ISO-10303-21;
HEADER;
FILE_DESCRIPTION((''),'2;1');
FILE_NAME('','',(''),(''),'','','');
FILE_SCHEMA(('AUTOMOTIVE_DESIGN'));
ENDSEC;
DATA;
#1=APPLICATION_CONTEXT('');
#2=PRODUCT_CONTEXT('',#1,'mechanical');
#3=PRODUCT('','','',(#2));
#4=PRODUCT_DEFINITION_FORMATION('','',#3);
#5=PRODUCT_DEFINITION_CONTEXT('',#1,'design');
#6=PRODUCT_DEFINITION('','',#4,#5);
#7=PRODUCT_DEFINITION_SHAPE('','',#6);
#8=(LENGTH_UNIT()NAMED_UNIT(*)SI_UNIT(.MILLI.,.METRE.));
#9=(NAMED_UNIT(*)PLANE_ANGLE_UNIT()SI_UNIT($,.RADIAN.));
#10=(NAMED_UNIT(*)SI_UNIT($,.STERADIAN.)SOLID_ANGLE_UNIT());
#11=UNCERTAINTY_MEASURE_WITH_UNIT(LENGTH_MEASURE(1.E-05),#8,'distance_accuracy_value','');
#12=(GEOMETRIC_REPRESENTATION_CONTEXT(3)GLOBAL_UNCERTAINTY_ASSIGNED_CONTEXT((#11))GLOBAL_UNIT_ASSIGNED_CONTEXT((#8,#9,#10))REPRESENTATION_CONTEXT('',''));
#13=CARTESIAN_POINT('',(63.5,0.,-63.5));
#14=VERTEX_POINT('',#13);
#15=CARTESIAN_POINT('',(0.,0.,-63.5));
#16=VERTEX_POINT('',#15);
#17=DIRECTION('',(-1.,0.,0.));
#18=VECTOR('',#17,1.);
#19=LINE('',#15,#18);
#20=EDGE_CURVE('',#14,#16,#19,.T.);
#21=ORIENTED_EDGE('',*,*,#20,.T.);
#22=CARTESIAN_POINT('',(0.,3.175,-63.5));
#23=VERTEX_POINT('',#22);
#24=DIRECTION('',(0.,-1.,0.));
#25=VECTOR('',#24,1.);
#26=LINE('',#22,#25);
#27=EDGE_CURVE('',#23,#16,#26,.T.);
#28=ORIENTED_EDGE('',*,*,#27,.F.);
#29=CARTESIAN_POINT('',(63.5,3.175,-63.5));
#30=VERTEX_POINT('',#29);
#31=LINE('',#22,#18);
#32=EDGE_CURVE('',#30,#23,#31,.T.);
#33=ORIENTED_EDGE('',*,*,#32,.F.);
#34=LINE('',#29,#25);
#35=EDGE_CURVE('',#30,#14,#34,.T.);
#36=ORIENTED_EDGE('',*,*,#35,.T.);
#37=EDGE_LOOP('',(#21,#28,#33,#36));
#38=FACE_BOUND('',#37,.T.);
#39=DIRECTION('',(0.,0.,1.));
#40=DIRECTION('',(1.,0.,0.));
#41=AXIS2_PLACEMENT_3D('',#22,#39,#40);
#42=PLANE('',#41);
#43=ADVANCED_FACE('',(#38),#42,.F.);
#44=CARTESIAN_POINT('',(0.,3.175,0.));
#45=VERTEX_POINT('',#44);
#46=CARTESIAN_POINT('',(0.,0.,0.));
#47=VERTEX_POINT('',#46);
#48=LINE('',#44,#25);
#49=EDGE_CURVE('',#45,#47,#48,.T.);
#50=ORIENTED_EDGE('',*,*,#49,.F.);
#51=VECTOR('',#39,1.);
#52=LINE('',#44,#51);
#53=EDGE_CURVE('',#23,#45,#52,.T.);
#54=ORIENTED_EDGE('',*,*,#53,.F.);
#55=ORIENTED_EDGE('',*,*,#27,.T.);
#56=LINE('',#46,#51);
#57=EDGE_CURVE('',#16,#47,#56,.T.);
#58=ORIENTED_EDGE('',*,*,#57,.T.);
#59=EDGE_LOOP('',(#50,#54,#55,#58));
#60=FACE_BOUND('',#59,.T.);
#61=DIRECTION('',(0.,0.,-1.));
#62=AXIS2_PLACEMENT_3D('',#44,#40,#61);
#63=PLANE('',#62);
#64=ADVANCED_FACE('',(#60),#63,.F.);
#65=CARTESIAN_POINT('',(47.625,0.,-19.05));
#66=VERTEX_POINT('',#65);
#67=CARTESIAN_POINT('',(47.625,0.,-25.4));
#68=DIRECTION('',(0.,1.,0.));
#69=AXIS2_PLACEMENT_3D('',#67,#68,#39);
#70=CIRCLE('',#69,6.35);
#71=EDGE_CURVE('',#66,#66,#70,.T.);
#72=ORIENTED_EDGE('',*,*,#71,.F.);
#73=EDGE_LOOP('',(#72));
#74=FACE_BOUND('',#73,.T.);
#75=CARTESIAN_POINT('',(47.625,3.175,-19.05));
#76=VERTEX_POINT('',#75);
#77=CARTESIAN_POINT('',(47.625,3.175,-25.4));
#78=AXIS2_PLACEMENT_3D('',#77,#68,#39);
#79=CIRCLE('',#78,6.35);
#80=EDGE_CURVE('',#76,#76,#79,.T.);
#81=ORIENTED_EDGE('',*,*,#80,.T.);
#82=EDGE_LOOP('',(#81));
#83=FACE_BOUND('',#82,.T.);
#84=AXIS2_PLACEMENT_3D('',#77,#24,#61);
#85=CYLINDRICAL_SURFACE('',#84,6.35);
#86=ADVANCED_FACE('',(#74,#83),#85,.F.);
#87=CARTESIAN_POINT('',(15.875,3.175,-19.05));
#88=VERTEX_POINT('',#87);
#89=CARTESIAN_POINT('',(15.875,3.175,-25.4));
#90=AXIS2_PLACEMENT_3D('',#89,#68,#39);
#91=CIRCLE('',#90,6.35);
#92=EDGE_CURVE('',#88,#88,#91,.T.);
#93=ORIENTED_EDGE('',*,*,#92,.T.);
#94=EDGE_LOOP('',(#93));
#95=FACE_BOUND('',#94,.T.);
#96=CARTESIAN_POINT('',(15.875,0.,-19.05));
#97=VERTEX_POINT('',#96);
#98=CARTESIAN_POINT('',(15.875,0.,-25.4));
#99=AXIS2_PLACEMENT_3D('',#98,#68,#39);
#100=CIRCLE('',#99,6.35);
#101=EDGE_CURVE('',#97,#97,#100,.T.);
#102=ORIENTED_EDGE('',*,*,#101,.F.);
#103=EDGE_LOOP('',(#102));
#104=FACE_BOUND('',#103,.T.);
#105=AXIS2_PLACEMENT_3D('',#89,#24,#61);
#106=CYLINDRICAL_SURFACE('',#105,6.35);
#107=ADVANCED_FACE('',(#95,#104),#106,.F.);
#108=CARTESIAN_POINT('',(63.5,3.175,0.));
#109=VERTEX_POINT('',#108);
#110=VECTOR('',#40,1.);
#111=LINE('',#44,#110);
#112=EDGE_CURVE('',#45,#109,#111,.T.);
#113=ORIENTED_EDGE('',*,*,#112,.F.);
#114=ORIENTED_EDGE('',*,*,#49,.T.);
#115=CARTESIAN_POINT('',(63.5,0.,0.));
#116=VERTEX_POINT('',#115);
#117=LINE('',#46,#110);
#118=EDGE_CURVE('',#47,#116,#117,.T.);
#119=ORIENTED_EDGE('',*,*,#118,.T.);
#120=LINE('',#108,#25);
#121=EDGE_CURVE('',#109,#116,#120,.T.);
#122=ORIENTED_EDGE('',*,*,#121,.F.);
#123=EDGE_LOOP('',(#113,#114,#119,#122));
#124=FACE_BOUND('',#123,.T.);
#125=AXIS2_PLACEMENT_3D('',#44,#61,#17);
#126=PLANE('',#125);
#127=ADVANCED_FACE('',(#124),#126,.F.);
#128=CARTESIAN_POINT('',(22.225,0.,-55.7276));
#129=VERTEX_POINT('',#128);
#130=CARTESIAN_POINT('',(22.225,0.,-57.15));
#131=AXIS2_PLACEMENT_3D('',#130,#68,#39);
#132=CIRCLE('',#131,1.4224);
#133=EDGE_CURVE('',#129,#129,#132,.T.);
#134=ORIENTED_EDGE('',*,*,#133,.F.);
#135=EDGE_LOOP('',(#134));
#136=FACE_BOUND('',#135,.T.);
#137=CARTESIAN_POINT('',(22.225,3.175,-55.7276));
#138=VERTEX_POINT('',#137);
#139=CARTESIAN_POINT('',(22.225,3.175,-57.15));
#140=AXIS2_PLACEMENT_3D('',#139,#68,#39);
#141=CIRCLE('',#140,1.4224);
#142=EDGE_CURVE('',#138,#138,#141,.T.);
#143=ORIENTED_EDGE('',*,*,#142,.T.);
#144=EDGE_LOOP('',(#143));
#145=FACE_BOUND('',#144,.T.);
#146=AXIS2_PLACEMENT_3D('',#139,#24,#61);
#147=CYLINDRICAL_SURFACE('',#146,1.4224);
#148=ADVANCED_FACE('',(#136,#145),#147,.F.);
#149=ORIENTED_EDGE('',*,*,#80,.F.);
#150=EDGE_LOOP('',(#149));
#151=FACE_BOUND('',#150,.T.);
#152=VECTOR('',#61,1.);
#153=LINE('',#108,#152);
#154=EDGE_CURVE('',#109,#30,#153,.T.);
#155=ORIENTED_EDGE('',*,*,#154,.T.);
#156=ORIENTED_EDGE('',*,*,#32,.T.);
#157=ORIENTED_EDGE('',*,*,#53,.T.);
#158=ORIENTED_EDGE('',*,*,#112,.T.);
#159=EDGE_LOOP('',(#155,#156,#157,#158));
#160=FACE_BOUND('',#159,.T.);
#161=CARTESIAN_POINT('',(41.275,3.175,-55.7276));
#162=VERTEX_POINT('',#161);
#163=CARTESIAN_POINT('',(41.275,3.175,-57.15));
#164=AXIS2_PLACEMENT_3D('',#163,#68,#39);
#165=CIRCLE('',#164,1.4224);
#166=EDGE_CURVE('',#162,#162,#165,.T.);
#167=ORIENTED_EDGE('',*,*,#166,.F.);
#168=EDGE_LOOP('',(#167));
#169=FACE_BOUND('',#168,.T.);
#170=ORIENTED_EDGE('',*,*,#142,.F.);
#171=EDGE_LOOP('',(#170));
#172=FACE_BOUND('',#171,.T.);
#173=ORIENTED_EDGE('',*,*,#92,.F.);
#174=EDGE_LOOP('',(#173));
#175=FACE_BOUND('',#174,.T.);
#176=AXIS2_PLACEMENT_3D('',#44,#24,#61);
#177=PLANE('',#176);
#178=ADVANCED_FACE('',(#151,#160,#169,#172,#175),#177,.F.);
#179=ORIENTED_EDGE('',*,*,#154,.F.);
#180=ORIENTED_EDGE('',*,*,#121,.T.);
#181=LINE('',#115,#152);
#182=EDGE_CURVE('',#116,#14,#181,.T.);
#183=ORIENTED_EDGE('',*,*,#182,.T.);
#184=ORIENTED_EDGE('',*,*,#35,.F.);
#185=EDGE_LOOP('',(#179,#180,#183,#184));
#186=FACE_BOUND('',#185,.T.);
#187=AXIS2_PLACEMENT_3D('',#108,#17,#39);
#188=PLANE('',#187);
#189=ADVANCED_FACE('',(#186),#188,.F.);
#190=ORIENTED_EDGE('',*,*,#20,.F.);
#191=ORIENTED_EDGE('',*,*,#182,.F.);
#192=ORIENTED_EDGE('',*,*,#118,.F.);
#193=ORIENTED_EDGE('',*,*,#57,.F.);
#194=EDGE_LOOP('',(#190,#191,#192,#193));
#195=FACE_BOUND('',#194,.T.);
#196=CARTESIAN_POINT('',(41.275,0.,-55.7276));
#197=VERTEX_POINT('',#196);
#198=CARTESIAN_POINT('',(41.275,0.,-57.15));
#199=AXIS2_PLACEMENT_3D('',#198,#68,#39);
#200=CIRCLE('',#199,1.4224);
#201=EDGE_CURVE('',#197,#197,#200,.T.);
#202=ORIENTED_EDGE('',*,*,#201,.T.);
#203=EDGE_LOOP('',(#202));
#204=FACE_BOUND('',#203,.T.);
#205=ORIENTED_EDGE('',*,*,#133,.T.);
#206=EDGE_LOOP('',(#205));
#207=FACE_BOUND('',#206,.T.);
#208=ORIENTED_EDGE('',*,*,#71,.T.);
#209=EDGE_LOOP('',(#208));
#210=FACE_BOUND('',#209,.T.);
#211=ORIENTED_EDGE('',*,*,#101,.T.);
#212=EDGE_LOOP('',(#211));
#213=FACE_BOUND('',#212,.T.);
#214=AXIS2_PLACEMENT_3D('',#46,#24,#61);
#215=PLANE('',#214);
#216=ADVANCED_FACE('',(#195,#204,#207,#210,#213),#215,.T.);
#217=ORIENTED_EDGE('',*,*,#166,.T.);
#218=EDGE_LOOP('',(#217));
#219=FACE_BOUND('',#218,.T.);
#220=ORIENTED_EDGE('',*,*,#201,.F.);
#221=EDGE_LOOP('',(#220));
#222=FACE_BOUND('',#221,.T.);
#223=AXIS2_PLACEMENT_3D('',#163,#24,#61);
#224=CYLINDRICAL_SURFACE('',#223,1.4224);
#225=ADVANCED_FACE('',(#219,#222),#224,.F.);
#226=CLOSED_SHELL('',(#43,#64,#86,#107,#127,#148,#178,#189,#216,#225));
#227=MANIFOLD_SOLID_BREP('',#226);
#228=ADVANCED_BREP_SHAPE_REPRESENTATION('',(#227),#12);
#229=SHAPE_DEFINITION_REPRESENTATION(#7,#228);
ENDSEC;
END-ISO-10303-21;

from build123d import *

# Parameters (mm, degrees)
SKETCH1_W           = 63.5
SKETCH1_H           = 63.5
SKETCH1_R           = 6.35
SKETCH1_R_2         = 1.4224
BOSS_EXTRUDE1_DEPTH = 3.175


with BuildPart() as part:
    # Sketch1 → Boss-Extrude1 (new body)
    with BuildSketch(Plane(origin=(0, 0, 0), x_dir=(1, 0, 0), z_dir=(0, 1, 0))):
        with Locations((31.75, 31.75)):
            Rectangle(SKETCH1_W, SKETCH1_H)
        with Locations(Location((15.875, 25.4, 0), (0, 0, 270))):
            Circle(SKETCH1_R, mode=Mode.SUBTRACT)
        with Locations(Location((47.625, 25.4, 0), (0, 0, 270))):
            Circle(SKETCH1_R, mode=Mode.SUBTRACT)
        with Locations(Location((22.225, 57.15, 0), (0, 0, 270))):
            Circle(SKETCH1_R_2, mode=Mode.SUBTRACT)
        with Locations(Location((41.275, 57.15, 0), (0, 0, 270))):
            Circle(SKETCH1_R_2, mode=Mode.SUBTRACT)
    extrude(amount=BOSS_EXTRUDE1_DEPTH)


solid = part.part
